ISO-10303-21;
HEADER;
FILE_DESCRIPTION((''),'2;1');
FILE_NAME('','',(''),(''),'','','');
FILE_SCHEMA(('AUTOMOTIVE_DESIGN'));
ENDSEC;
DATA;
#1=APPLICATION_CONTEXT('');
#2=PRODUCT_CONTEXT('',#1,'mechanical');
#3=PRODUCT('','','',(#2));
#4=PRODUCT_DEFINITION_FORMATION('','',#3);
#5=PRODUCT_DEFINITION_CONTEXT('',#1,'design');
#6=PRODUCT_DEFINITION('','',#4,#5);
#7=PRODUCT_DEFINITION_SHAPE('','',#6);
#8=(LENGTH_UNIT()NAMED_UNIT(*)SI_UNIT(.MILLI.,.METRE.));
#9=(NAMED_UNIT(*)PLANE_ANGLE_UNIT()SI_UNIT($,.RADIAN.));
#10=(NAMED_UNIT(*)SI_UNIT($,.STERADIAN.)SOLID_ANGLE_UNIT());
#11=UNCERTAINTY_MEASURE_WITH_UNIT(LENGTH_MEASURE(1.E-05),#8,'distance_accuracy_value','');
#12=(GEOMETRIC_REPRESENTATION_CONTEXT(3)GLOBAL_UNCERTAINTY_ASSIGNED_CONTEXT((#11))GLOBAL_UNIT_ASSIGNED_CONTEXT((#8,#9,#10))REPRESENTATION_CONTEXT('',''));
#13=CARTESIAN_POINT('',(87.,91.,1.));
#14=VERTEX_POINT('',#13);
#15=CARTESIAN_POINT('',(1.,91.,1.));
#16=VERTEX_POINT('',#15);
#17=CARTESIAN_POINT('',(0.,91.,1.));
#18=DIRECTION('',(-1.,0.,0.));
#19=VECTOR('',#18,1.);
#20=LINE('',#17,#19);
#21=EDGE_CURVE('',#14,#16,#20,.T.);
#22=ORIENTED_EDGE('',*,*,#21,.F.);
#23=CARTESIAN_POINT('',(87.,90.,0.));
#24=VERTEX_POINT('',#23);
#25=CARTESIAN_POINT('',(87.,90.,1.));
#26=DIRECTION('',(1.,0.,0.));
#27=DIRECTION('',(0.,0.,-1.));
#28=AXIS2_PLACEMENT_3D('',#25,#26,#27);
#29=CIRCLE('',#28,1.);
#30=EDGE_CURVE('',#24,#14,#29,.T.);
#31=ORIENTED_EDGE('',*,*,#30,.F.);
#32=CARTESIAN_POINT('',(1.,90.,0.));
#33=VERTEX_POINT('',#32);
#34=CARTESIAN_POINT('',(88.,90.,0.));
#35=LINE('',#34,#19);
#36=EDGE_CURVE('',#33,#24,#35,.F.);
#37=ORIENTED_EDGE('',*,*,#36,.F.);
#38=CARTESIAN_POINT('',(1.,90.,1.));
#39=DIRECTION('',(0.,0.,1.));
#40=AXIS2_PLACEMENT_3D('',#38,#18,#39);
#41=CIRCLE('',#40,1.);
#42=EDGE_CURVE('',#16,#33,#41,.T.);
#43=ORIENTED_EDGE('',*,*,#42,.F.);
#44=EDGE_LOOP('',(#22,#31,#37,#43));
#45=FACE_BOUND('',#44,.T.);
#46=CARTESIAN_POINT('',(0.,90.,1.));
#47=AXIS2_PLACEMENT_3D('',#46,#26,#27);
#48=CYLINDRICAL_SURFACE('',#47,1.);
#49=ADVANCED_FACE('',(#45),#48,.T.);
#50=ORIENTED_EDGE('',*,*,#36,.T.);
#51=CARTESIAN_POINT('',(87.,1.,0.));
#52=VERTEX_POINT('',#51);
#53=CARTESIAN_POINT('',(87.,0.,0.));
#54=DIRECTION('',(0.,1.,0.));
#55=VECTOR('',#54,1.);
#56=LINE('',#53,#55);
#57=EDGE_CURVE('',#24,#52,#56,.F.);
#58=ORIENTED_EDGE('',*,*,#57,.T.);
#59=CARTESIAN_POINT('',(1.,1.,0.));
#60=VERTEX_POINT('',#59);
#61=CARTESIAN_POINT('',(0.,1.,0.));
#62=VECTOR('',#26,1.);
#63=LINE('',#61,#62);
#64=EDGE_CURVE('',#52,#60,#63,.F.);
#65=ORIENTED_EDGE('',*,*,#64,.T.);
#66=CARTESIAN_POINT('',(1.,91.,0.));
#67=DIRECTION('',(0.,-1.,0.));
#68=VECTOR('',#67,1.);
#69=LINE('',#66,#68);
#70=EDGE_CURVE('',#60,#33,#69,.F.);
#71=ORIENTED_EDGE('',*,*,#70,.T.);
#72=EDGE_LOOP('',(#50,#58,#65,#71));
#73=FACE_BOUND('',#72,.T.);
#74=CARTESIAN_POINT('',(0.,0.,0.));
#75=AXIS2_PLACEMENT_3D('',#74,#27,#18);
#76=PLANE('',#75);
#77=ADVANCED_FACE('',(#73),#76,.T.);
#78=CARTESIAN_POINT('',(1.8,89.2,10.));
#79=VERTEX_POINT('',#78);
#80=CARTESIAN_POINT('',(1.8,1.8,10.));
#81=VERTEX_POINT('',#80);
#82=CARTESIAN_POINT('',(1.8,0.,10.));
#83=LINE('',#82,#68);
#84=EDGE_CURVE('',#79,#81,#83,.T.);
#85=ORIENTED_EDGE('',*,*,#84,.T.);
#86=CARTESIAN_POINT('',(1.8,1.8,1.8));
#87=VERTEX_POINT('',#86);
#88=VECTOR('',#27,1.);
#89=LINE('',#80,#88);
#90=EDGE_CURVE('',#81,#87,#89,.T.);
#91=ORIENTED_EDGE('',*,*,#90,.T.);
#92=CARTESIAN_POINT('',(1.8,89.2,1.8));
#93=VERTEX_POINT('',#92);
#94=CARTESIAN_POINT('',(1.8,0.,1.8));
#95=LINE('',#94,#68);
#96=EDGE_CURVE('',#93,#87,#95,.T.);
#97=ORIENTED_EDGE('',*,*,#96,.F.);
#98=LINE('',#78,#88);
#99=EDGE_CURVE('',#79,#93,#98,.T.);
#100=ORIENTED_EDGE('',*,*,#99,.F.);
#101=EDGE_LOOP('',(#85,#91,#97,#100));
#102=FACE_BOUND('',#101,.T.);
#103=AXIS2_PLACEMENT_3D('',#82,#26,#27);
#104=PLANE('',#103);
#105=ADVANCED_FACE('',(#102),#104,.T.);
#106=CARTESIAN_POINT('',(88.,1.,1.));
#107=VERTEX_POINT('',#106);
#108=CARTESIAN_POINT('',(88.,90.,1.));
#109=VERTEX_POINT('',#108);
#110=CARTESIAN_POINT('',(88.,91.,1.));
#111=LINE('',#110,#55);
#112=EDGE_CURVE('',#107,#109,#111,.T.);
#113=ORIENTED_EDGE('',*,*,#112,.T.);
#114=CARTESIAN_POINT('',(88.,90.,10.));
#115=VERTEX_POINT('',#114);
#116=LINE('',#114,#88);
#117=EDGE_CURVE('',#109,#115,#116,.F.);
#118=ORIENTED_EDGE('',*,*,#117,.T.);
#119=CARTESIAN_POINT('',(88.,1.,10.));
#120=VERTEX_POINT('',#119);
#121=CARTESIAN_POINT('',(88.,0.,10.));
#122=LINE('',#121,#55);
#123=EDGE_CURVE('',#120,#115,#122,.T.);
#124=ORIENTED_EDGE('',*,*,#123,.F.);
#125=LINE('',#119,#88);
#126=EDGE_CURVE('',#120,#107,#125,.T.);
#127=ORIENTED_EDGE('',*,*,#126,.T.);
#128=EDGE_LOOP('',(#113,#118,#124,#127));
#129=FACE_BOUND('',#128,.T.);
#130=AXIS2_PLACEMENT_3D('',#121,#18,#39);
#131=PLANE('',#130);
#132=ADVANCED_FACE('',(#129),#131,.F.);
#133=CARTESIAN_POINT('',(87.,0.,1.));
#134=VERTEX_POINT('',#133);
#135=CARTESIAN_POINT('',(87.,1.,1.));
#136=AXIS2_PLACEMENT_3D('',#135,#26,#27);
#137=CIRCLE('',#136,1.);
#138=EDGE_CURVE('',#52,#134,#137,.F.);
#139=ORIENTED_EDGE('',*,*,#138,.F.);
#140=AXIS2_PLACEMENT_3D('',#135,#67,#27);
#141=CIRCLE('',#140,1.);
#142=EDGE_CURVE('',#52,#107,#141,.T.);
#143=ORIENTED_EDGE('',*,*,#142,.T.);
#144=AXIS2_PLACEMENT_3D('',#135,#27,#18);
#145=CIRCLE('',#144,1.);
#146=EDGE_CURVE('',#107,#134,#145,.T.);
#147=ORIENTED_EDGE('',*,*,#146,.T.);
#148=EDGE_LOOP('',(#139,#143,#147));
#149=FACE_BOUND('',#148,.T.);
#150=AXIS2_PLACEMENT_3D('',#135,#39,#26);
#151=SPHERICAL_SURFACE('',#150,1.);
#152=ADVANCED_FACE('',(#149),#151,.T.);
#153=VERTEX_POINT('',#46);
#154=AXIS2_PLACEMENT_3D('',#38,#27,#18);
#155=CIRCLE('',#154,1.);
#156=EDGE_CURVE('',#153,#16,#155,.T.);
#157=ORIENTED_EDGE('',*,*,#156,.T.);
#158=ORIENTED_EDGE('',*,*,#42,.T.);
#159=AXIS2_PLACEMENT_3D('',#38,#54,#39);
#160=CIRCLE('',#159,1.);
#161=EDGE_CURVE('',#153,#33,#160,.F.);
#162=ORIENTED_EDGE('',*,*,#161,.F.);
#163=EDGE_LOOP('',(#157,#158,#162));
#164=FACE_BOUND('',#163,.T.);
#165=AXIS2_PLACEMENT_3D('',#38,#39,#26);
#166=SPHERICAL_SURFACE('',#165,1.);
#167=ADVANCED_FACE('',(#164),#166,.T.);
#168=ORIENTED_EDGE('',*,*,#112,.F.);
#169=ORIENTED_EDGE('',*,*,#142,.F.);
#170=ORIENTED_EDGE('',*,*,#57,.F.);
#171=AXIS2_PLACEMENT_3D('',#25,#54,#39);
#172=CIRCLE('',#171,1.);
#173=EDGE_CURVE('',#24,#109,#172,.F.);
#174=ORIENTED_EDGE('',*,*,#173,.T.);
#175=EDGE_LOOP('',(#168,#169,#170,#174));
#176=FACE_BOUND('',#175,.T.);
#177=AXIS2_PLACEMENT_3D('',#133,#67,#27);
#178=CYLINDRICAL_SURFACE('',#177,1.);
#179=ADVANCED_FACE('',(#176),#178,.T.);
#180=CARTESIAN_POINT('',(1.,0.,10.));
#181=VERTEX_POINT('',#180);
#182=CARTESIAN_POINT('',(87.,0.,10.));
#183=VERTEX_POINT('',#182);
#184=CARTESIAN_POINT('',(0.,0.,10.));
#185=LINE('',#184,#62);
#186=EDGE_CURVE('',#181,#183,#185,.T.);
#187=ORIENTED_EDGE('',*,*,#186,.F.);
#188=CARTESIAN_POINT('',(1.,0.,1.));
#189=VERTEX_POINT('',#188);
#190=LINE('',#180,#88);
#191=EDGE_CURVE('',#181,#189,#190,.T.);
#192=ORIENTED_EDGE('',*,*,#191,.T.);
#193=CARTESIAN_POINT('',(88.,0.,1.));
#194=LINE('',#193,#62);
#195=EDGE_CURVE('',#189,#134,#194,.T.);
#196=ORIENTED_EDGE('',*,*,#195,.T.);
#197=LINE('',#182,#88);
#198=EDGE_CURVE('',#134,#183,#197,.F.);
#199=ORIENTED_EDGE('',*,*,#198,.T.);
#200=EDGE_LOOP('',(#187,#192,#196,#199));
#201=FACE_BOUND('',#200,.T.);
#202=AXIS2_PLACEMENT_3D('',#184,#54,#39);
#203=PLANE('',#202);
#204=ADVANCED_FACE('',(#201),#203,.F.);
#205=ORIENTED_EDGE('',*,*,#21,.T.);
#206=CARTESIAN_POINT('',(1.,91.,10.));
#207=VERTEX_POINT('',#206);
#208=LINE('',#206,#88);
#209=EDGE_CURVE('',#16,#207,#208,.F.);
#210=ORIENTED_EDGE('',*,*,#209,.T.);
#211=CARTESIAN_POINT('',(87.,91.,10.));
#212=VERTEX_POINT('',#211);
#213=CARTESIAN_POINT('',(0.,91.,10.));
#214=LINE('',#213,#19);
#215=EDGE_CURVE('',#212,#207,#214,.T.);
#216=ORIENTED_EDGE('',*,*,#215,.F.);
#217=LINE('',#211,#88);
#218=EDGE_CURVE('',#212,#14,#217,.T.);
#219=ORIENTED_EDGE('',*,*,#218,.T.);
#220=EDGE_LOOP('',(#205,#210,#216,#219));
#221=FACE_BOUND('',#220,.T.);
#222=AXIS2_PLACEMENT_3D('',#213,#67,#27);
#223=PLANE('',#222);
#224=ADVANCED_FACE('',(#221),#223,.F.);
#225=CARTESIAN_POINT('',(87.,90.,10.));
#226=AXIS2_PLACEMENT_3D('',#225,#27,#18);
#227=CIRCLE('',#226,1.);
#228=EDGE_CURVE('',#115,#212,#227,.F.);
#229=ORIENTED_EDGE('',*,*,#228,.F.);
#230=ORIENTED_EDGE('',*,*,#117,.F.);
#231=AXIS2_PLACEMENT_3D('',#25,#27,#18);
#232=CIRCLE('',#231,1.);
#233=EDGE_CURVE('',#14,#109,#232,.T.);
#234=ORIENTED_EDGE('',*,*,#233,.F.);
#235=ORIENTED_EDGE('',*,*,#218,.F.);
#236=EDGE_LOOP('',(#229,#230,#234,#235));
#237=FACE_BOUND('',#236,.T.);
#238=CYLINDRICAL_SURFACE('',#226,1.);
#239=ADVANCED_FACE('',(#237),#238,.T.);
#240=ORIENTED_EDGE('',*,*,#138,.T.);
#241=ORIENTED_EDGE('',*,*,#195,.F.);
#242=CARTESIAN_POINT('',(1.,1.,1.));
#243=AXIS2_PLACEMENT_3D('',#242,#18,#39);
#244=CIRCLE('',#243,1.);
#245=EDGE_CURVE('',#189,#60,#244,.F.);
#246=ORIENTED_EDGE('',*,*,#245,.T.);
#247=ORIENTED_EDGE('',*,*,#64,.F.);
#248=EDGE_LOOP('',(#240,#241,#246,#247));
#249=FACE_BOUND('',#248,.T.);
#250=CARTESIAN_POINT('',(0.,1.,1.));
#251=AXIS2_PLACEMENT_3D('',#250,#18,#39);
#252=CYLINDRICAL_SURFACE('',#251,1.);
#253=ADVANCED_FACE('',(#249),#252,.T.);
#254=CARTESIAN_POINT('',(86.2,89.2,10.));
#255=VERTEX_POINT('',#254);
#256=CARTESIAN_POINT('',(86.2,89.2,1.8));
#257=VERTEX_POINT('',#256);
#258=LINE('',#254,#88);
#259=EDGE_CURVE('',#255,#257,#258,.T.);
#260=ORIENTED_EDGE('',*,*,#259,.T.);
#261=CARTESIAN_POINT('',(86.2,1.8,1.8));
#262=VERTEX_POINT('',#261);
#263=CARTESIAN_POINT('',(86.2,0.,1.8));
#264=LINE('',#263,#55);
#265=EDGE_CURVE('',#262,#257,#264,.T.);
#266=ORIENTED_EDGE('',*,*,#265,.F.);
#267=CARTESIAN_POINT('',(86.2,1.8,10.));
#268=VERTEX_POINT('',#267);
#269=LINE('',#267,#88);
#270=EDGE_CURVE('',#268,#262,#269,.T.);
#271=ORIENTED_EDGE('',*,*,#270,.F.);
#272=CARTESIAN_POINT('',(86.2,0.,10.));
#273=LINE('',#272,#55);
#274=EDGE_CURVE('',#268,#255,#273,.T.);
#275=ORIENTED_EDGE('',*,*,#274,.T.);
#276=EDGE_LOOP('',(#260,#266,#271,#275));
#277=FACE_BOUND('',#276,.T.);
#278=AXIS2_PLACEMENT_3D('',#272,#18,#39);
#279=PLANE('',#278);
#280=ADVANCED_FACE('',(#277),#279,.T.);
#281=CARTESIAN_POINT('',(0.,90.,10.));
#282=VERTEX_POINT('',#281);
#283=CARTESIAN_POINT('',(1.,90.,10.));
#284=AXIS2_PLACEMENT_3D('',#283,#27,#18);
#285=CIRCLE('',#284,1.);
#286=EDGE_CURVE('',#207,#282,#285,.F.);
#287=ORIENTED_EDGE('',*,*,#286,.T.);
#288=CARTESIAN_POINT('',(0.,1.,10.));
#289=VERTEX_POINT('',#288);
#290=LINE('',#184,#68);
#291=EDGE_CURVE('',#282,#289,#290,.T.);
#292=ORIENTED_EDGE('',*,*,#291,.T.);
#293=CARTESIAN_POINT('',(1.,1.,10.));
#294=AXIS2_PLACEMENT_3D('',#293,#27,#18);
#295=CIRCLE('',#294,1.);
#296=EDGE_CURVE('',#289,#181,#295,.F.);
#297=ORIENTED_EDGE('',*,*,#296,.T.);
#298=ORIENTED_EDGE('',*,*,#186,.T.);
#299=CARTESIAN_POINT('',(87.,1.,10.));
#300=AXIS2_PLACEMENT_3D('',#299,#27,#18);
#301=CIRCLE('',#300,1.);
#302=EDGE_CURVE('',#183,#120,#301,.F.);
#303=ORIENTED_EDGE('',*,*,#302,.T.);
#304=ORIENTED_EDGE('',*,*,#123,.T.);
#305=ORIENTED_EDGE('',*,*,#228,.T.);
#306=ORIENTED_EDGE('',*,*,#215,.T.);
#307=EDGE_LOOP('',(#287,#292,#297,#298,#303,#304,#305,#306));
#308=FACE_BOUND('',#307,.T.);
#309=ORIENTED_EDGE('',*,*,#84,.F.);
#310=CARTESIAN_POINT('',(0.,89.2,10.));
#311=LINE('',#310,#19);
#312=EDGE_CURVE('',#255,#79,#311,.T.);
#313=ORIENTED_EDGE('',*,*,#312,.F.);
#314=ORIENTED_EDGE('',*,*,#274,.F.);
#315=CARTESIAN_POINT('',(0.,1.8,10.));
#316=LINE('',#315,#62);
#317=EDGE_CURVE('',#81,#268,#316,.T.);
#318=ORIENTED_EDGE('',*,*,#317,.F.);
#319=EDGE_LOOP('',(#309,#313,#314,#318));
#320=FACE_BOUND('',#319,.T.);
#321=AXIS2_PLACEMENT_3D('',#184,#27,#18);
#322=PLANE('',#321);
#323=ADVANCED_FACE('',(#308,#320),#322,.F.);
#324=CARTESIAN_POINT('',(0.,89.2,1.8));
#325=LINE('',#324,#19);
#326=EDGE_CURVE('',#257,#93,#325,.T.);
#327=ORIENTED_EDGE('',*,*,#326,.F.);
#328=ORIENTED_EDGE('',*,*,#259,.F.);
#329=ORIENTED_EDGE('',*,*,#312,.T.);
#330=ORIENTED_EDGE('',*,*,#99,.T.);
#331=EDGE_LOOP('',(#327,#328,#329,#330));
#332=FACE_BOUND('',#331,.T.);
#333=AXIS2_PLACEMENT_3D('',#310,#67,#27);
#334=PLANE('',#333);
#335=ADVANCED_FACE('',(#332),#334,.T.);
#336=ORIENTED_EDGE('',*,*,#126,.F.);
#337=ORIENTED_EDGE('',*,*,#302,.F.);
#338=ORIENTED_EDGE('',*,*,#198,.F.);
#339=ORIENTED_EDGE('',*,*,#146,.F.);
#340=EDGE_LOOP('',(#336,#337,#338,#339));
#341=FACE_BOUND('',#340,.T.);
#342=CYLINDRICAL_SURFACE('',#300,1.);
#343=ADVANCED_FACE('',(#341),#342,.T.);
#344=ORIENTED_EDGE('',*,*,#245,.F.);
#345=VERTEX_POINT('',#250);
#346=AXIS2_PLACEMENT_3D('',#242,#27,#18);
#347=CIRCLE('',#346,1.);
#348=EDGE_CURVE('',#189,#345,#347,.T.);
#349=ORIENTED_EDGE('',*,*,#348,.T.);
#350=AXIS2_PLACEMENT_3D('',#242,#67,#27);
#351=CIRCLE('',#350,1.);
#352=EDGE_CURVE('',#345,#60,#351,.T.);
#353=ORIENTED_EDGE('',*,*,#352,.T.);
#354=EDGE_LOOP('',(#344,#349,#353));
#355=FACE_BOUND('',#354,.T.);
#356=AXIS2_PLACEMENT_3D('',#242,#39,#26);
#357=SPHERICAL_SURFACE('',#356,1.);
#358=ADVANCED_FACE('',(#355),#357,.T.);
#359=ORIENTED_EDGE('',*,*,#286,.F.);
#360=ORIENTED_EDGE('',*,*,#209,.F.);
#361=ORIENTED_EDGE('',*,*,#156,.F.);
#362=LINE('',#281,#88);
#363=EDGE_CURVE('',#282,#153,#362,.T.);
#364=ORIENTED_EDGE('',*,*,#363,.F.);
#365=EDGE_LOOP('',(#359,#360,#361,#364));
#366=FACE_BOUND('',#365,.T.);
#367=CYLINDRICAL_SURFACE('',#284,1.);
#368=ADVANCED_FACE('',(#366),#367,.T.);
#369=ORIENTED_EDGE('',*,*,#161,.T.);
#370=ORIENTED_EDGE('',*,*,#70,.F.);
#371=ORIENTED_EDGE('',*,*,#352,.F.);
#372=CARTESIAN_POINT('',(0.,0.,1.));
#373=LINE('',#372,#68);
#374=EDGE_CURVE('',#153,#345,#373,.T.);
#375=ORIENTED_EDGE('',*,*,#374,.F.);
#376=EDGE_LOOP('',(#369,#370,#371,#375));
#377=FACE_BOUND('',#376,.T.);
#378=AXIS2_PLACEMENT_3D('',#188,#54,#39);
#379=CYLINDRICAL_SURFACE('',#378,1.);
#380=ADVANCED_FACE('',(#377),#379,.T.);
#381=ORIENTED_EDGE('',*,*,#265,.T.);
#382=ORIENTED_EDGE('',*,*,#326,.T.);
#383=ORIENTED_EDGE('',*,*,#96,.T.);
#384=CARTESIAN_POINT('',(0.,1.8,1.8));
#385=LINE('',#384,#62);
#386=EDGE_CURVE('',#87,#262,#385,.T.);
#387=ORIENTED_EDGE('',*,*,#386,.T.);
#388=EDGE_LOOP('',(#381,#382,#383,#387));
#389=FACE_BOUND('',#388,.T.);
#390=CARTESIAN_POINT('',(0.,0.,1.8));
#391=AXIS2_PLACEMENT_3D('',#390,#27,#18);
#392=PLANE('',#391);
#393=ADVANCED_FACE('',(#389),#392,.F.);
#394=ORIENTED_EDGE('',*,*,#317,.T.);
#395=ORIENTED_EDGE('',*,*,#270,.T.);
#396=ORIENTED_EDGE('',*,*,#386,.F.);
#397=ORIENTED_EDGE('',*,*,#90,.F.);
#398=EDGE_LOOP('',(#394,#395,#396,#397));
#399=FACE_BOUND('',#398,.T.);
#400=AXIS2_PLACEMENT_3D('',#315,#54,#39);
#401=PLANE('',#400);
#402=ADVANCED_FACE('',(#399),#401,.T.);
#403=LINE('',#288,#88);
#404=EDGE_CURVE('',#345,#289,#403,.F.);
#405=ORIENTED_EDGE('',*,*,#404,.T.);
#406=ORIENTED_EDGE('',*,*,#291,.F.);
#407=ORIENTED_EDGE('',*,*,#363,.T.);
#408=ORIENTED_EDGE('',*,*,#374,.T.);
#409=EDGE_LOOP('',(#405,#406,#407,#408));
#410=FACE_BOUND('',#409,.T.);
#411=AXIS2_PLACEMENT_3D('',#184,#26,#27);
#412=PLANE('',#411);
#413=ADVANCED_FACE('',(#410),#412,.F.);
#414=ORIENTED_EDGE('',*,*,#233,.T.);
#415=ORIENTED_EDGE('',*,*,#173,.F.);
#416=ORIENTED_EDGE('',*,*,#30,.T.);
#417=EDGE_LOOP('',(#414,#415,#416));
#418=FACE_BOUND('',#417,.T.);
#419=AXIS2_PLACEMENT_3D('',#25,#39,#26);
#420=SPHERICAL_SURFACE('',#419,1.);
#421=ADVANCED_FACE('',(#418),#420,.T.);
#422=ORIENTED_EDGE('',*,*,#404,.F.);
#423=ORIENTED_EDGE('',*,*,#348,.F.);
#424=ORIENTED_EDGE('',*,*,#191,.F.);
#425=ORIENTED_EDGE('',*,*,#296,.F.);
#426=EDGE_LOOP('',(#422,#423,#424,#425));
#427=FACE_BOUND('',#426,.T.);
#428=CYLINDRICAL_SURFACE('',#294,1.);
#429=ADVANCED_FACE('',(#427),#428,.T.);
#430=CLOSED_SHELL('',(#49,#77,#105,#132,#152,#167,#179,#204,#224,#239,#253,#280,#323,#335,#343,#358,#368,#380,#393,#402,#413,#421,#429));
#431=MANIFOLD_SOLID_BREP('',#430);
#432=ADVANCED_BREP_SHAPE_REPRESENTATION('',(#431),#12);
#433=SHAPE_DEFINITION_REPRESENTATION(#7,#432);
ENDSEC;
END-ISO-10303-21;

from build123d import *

# Parameters (mm, degrees)
SKETCH_FOR_MAIN_SHAPE_W = 88
SKETCH_FOR_MAIN_SHAPE_H = 91
MAIN_SHAPE_DEPTH        = 10
HOLLOW_T                = -1.8
FILLETS_R               = 1


with BuildPart() as part:
    # Sketch for main shape → Main shape (new body)
    with BuildSketch(Plane.XY):
        with Locations((44, 45.5)):
            Rectangle(SKETCH_FOR_MAIN_SHAPE_W, SKETCH_FOR_MAIN_SHAPE_H)
    extrude(amount=MAIN_SHAPE_DEPTH)

    # Hollow
    hollow_openings = [part.faces().sort_by_distance(p)[0] for p in [
        (44, 45.5, 10),
    ]]
    offset(amount=HOLLOW_T, openings=hollow_openings, kind=Kind.INTERSECTION)

    # Fillets
    fillets_edges = [part.edges().sort_by_distance(p)[0] for p in [
        (44, 91, 0),
        (88, 45.5, 0),
        (44, 0, 0),
        (0, 45.5, 0),
        (0, 91, 5),
        (88, 91, 5),
        (88, 0, 5),
        (0, 0, 5),
    ]]
    fillet(fillets_edges, radius=FILLETS_R)


solid = part.part
